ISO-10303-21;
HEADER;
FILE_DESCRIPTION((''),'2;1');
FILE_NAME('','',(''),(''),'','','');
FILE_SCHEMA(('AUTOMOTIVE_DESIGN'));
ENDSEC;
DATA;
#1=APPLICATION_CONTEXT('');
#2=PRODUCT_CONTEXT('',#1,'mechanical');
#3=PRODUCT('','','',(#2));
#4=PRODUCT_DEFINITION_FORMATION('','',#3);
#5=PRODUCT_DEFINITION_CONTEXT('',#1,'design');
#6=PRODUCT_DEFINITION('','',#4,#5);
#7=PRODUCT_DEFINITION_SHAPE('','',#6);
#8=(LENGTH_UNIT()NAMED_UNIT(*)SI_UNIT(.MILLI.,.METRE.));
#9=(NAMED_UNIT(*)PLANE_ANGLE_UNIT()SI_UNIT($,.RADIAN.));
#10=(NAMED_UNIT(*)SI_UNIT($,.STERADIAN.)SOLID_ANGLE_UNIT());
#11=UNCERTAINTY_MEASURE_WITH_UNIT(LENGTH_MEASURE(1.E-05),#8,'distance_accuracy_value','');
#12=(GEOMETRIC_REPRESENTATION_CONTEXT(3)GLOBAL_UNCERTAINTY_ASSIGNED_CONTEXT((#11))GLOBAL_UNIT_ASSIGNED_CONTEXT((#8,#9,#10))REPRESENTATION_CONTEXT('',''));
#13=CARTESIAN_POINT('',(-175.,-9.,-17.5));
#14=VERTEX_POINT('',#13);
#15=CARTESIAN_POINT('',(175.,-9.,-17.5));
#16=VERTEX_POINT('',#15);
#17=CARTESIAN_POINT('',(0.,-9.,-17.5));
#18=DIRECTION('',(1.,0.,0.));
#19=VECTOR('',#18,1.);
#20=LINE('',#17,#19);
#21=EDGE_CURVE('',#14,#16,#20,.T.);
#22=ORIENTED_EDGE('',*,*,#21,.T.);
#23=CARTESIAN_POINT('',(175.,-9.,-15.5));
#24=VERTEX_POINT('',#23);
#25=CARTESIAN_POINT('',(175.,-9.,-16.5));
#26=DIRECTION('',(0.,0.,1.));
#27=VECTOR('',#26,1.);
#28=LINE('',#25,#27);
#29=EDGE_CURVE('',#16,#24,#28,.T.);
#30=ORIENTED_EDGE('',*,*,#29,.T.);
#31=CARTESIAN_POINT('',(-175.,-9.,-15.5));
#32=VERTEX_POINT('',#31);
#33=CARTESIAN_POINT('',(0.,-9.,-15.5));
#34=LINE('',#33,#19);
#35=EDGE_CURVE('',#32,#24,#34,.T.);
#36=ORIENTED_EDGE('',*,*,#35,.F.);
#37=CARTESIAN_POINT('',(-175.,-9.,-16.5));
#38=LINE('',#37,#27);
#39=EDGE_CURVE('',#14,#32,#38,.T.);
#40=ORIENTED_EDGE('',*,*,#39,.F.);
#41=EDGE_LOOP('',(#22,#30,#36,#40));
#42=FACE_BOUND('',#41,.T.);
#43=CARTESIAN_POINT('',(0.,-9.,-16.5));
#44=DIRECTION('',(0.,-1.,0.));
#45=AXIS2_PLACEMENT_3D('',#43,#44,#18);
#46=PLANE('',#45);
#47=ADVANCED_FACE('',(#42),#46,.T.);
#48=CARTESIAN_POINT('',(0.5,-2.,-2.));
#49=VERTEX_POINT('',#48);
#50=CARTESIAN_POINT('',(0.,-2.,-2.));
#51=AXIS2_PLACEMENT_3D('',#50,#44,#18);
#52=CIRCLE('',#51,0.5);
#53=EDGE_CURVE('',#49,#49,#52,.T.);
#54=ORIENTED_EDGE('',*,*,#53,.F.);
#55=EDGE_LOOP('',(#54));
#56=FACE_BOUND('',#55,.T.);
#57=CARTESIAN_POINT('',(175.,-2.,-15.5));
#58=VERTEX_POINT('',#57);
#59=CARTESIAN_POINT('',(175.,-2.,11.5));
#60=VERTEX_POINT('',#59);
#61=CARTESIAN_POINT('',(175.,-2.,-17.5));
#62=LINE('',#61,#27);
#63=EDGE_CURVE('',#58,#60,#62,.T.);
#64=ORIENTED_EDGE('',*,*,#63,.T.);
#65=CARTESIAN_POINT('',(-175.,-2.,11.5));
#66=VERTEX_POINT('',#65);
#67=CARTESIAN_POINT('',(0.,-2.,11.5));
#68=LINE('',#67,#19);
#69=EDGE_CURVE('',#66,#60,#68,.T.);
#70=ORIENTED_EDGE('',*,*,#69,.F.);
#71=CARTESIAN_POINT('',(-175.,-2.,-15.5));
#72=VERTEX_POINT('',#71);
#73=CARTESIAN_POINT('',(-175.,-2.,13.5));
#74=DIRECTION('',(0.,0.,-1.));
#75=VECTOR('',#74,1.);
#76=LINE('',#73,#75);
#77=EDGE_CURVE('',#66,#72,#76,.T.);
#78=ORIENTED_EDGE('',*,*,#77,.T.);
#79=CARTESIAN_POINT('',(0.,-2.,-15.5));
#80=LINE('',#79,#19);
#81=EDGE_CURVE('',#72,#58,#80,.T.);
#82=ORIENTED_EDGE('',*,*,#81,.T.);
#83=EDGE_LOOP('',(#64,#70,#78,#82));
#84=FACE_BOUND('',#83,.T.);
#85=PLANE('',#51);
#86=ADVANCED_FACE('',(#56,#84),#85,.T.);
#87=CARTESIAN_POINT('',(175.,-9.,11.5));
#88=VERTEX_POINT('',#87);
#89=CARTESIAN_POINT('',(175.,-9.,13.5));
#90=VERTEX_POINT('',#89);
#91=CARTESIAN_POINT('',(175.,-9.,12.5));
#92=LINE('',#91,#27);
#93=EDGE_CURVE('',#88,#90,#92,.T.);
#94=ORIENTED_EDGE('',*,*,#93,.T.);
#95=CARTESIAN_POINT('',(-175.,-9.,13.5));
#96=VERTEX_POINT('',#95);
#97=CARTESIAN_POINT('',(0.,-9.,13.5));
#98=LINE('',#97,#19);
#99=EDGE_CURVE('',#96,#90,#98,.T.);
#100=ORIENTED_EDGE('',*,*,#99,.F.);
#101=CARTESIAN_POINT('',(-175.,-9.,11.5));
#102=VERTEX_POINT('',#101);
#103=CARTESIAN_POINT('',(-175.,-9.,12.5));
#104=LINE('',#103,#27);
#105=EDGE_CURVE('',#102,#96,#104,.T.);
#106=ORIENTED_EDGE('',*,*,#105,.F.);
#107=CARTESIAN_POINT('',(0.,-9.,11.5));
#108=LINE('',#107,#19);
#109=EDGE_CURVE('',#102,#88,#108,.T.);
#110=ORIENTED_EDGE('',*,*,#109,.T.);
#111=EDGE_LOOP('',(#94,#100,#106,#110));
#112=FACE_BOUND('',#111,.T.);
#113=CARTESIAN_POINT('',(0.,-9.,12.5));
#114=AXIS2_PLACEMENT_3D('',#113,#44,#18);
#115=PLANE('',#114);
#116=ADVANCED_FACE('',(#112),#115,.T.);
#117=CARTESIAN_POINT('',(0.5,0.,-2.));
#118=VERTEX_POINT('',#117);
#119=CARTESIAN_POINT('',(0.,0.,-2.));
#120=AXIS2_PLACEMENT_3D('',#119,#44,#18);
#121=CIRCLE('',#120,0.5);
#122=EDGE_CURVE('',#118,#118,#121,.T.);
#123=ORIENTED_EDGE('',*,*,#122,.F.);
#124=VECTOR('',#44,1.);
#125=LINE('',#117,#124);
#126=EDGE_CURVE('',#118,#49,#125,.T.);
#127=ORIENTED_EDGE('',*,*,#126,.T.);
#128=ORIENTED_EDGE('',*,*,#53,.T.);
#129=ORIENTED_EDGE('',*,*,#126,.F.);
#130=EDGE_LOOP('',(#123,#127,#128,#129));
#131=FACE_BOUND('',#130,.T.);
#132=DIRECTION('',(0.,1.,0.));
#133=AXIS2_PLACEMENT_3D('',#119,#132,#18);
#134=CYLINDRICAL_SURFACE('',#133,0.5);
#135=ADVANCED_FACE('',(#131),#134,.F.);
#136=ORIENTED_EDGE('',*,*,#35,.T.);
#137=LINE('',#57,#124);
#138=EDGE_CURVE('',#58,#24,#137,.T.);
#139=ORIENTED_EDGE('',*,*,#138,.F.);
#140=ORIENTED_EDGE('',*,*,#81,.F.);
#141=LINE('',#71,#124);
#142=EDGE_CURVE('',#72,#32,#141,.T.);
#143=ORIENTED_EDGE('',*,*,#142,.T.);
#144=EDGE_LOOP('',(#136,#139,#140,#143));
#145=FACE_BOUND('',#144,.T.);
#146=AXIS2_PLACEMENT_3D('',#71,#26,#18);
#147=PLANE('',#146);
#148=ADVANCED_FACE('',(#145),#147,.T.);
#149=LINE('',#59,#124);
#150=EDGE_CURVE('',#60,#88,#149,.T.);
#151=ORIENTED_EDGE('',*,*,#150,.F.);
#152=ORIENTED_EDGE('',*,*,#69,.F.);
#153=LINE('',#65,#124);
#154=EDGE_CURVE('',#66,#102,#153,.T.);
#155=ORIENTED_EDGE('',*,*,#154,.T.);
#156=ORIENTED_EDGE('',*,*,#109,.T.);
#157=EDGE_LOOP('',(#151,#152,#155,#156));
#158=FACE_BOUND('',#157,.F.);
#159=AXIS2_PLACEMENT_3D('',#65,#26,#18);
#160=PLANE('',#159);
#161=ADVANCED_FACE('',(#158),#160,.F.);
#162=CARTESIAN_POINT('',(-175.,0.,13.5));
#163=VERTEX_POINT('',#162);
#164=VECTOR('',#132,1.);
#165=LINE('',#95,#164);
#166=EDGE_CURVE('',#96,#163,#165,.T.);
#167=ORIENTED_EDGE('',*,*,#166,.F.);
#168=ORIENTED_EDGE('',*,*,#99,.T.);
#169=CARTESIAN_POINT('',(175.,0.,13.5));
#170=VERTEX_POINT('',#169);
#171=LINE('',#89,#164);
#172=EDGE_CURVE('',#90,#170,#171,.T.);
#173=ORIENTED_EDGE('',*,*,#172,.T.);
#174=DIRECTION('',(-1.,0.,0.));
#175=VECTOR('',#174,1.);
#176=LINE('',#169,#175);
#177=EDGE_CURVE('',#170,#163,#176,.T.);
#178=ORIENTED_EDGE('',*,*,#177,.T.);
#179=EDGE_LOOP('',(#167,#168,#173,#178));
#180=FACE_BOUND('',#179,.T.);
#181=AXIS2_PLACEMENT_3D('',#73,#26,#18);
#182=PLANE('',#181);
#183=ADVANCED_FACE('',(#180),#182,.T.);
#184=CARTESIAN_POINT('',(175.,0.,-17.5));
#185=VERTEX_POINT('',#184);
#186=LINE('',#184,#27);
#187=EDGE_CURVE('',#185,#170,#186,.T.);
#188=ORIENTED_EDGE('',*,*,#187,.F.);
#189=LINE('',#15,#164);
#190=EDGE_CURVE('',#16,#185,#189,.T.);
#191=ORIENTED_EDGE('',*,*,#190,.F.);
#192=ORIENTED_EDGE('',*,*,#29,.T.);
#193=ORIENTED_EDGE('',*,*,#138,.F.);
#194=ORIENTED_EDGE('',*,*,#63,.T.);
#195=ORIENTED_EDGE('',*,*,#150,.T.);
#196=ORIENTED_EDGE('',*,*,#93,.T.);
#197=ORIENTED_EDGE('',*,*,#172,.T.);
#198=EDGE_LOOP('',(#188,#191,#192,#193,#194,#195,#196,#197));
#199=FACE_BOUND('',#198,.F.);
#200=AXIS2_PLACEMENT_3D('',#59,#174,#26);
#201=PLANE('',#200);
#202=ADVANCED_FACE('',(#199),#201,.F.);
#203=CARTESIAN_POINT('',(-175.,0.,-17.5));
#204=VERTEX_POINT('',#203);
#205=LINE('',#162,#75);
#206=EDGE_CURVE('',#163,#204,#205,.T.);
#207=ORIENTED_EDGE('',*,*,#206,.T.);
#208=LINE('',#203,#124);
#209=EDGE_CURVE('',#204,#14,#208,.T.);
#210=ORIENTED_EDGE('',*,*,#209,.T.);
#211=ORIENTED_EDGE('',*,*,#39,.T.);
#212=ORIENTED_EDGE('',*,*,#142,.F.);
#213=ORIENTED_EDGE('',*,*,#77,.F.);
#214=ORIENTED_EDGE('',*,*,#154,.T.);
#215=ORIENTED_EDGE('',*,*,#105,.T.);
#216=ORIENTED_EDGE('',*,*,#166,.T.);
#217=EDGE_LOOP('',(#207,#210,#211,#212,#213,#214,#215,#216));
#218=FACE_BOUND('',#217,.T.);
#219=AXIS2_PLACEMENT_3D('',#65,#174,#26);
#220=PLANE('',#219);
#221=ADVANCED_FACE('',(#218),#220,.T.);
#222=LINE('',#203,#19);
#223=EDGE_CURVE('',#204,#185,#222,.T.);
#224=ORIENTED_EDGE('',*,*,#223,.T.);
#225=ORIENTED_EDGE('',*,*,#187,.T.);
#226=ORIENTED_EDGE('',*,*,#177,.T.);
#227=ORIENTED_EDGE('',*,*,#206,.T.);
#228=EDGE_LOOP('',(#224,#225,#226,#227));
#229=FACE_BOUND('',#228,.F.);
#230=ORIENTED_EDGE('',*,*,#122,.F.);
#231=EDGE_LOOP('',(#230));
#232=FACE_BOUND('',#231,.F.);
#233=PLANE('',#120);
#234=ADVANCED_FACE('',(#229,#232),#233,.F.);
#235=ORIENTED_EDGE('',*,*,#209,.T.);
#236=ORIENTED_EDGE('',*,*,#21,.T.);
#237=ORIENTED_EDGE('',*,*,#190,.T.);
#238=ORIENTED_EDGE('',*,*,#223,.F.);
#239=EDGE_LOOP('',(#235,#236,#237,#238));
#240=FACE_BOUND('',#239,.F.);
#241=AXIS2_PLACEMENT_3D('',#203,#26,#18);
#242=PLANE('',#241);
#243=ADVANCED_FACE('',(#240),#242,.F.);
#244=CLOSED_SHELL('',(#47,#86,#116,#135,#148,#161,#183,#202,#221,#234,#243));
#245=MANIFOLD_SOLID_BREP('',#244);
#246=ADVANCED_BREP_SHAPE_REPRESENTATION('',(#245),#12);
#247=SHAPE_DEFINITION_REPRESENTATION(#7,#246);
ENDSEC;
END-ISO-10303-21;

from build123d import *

# Parameters (mm, degrees)
F0_R     = 0.5
F1_DEPTH = 2
F2_W     = 350
F2_H     = 2
F3_DEPTH = 7
F6_DEPTH = 2


with BuildPart() as f1:
    # F0 (on Front) → F1 (new body)
    with BuildSketch(Plane.XZ):
        Polygon((175, 13.5), (-175, 13.5), (-175, 11.5), (-175, -15.5), (-175, -17.5), (175, -17.5), (175, -15.5), (175, 11.5), align=None)
        with Locations((0, -2)):
            Circle(F0_R, mode=Mode.SUBTRACT)
    extrude(amount=F1_DEPTH)

    # F2 (on face) → F3 (join)
    with BuildSketch(Plane.XZ.offset(2)):
        with Locations((0, 12.5)):
            Rectangle(F2_W, F2_H)
        with Locations((0, -16.5)):
            Rectangle(F2_W, F2_H)
    extrude(amount=F3_DEPTH)

    # F0 (on Front) → F6 (cut)
    with BuildSketch(Plane.XZ):
        Polygon((175, 13.5), (-175, 13.5), (-175, 11.5), (-175, -15.5), (-175, -17.5), (175, -17.5), (175, -15.5), (175, 11.5), align=None)
        with Locations((0, -2)):
            Circle(F0_R, mode=Mode.SUBTRACT)
    extrude(amount=-F6_DEPTH, mode=Mode.SUBTRACT)


with BuildPart() as f4_1:
    # F4: copy of F1
    add(f1.part)


solid = f1.part
